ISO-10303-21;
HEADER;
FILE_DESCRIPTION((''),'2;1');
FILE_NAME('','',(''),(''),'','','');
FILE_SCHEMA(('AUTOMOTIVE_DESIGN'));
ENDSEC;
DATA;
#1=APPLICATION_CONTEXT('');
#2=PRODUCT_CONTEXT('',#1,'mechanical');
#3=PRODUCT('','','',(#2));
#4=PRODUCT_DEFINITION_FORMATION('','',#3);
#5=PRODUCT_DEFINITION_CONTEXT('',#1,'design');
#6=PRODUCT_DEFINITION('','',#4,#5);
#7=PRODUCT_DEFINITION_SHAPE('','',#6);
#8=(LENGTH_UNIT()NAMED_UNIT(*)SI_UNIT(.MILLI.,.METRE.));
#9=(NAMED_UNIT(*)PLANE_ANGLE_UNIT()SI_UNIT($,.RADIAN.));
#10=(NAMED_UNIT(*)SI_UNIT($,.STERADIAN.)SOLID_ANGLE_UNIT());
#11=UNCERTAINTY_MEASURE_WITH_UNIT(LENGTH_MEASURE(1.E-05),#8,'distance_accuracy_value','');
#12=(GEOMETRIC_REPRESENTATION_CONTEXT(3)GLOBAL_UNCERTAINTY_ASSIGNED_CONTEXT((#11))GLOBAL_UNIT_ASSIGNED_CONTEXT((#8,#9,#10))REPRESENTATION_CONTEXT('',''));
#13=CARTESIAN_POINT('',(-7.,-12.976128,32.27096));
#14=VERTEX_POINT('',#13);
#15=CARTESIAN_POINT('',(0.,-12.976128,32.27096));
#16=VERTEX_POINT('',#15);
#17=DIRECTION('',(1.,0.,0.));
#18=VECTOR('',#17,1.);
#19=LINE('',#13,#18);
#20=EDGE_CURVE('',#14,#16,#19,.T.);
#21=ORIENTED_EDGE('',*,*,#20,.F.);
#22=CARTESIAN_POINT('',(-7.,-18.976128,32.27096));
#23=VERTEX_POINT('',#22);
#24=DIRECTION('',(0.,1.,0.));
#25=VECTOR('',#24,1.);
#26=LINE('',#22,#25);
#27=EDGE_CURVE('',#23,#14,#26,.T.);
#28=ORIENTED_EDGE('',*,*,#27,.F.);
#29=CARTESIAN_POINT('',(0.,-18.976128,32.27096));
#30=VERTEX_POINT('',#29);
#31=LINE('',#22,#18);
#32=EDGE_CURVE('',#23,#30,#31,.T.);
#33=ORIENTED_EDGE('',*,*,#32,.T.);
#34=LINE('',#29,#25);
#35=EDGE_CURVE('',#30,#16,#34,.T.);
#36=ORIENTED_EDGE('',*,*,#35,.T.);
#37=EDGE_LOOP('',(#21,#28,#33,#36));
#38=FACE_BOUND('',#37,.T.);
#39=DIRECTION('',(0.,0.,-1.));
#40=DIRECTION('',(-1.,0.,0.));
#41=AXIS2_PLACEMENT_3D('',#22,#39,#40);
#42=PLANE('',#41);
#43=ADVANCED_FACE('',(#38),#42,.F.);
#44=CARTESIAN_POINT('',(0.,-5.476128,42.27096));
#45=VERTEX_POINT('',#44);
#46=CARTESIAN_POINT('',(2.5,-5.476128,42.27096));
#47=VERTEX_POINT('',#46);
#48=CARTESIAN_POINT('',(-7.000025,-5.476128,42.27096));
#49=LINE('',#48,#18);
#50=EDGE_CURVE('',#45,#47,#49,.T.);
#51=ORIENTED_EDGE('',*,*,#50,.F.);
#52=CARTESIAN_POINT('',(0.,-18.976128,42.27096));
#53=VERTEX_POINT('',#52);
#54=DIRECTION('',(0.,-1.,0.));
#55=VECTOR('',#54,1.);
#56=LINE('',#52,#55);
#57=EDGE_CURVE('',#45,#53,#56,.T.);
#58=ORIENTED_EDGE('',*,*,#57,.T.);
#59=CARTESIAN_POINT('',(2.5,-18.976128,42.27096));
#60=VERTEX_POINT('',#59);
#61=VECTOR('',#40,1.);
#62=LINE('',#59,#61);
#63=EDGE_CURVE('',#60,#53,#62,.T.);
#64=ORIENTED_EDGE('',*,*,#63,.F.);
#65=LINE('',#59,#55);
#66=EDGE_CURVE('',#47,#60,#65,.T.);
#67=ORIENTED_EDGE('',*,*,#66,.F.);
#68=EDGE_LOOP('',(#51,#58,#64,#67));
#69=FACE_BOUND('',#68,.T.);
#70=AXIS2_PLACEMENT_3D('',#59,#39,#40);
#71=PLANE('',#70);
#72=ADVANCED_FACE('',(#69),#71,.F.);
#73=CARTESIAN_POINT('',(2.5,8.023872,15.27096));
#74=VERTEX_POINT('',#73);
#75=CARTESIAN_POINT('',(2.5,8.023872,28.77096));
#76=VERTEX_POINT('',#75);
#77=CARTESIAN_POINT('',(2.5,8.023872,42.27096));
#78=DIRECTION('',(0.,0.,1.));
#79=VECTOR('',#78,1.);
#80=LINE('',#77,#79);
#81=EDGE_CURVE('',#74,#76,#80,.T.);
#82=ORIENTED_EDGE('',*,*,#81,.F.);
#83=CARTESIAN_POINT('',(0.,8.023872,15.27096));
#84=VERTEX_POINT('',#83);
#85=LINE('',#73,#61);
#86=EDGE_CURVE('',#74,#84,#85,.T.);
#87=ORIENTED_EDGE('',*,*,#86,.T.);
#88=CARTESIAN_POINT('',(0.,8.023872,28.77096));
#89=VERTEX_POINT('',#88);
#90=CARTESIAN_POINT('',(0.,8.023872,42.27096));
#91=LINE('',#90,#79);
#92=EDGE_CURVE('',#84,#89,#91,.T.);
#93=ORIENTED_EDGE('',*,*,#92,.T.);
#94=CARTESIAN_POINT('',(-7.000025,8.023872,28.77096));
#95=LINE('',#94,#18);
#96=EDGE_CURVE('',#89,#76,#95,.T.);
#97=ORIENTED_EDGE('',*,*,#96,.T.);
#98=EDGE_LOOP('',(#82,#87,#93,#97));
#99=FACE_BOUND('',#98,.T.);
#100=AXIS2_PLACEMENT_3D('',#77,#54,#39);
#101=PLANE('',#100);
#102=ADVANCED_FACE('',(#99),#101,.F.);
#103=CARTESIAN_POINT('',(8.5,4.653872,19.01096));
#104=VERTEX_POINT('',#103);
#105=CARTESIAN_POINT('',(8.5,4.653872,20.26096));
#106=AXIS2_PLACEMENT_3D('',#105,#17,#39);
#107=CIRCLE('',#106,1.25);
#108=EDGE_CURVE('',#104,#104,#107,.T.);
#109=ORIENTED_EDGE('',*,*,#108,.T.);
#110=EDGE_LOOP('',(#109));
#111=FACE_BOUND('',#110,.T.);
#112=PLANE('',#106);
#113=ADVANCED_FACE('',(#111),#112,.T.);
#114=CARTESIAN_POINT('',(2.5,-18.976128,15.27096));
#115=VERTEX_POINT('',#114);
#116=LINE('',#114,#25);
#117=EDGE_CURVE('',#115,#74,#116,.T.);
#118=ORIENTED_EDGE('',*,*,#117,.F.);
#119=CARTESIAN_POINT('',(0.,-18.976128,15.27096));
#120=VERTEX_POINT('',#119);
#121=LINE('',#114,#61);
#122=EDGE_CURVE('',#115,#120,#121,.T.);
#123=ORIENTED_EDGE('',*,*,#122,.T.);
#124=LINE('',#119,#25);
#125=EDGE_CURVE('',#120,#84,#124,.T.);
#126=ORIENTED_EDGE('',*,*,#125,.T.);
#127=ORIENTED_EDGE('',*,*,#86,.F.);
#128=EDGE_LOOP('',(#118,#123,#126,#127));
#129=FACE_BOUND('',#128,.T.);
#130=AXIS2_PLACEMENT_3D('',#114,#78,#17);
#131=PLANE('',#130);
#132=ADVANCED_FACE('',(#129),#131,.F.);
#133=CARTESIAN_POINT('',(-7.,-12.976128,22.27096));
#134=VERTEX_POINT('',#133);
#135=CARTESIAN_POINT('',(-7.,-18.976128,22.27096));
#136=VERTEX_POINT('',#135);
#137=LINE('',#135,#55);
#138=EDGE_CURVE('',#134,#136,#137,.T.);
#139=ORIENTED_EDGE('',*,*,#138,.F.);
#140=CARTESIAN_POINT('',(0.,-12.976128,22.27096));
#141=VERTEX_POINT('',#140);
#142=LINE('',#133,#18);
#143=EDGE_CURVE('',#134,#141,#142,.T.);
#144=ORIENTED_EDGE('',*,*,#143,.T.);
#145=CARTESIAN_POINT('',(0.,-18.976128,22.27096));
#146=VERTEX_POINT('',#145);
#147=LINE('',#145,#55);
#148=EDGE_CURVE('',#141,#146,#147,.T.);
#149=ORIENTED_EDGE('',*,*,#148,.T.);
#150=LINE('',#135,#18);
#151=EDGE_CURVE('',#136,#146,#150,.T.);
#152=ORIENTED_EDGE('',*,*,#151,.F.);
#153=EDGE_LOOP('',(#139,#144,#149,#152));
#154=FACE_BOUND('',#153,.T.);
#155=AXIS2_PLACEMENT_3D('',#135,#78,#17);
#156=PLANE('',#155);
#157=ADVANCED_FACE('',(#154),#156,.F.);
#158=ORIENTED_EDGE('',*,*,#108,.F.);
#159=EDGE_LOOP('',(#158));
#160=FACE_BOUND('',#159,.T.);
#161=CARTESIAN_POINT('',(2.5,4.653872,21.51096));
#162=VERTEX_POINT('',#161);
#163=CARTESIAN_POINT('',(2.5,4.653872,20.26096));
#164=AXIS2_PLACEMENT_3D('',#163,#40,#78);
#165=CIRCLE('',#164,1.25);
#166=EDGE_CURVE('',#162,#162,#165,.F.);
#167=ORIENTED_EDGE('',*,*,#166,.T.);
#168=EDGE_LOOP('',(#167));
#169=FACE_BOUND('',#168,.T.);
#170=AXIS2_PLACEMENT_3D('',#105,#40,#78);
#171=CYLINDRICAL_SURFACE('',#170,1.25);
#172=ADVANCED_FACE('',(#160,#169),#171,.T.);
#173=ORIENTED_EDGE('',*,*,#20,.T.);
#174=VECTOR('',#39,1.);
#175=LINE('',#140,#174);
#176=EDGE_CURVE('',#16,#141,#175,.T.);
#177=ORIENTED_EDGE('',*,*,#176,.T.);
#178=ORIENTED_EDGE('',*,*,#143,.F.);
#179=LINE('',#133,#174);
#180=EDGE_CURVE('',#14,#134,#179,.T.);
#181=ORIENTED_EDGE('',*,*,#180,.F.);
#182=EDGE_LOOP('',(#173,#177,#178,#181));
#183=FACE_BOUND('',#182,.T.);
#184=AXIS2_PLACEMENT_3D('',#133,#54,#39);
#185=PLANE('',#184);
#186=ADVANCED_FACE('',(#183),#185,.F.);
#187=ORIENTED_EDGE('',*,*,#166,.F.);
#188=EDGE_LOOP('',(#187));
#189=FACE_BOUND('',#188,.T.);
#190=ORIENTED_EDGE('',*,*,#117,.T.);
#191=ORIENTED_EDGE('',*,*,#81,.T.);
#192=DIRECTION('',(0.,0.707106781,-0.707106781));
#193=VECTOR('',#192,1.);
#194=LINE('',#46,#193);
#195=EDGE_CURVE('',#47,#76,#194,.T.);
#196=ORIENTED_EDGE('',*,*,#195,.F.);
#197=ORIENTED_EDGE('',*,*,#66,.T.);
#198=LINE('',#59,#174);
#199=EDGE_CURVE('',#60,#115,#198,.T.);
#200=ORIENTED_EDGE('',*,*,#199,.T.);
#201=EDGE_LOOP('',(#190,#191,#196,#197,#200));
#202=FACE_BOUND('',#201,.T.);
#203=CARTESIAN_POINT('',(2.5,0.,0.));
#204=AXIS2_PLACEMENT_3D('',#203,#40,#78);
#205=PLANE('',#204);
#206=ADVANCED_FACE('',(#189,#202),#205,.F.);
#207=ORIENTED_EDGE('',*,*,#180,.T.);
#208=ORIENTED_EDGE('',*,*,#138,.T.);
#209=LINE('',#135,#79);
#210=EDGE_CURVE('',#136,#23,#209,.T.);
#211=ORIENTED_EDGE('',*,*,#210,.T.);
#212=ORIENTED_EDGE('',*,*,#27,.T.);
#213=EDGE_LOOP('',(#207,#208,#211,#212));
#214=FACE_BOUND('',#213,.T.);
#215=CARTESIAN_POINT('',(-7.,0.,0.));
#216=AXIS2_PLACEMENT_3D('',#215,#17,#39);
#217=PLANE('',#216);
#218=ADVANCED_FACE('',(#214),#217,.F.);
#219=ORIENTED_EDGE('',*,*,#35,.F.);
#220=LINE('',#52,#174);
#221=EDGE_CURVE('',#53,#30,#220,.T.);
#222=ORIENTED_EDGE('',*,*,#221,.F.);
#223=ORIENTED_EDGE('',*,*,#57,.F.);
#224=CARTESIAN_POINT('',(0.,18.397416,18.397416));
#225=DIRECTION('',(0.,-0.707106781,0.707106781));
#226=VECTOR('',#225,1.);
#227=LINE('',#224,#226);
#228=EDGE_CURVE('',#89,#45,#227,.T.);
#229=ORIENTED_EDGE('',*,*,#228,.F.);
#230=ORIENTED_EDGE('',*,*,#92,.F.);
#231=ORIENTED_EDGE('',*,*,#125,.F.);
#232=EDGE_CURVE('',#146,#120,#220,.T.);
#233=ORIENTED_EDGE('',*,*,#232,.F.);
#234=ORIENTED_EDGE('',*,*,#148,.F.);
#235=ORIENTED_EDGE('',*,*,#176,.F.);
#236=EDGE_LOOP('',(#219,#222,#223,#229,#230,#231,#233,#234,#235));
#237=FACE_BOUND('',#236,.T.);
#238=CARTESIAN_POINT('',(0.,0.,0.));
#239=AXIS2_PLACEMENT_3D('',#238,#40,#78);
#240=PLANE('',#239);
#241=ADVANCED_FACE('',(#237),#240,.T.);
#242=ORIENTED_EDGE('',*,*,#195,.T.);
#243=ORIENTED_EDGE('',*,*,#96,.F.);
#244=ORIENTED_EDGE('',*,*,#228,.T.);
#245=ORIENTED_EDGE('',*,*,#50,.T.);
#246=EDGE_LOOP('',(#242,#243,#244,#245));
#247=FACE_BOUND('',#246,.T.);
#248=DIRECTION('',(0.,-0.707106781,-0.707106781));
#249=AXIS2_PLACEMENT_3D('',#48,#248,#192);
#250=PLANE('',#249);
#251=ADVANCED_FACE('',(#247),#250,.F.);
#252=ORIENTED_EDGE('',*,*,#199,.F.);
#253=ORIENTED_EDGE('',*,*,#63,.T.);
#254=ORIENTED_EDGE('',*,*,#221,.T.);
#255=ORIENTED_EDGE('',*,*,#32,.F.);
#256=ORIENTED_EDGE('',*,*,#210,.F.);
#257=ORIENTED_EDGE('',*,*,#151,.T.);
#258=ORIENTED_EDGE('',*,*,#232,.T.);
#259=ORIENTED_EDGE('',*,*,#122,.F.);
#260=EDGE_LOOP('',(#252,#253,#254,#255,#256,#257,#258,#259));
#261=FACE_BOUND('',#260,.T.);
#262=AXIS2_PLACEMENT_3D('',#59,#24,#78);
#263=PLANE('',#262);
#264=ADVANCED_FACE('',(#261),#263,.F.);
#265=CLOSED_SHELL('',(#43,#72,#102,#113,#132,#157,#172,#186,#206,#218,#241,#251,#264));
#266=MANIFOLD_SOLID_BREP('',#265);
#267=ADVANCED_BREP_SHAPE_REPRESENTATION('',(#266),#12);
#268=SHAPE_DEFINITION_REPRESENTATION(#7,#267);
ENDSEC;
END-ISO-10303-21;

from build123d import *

# Parameters (mm, degrees)
SKETCH1_W           = 27
SKETCH1_H           = 27
BOSS_EXTRUDE1_DEPTH = 2.5
SKETCH2_R           = 1.25
BOSS_EXTRUDE2_DEPTH = 6
SKETCH3_W           = 10
SKETCH3_H           = 6
BOSS_EXTRUDE3_DEPTH = 7
CUT_EXTRUDE1_DEPTH  = 10.5


with BuildPart() as part:
    # Sketch1 → Boss-Extrude1 (new body)
    with BuildSketch(Plane(origin=(0, 0, 0), x_dir=(0, 0, -1), z_dir=(1, 0, 0))):
        with Locations((-28.770960436, -5.47612775)):
            Rectangle(SKETCH1_W, SKETCH1_H)
    extrude(amount=BOSS_EXTRUDE1_DEPTH)

    # Sketch2 → Boss-Extrude2 (add)
    with BuildSketch(Plane(origin=(2.5, 0, 0), x_dir=(0, 0, -1), z_dir=(1, 0, 0))):
        with Locations((-20.260960436, 4.65387225)):
            Circle(SKETCH2_R)
    extrude(amount=BOSS_EXTRUDE2_DEPTH)

    # Sketch3 → Boss-Extrude3 (add)
    with BuildSketch(Plane.ZY):
        with Locations((27.270960436, -15.97612775)):
            Rectangle(SKETCH3_W, SKETCH3_H)
    extrude(amount=BOSS_EXTRUDE3_DEPTH)

    # Sketch4 → Cut-Extrude1 (cut, through all)
    with BuildSketch(Plane(origin=(2.5, 0, 0), x_dir=(0, 0, -1), z_dir=(1, 0, 0))):
        Polygon((-42.270960436, -5.47612775), (-28.770960436, 8.02387225), (-42.270960436, 8.02387225), align=None)
    extrude(amount=-CUT_EXTRUDE1_DEPTH, mode=Mode.SUBTRACT)


solid = part.part
